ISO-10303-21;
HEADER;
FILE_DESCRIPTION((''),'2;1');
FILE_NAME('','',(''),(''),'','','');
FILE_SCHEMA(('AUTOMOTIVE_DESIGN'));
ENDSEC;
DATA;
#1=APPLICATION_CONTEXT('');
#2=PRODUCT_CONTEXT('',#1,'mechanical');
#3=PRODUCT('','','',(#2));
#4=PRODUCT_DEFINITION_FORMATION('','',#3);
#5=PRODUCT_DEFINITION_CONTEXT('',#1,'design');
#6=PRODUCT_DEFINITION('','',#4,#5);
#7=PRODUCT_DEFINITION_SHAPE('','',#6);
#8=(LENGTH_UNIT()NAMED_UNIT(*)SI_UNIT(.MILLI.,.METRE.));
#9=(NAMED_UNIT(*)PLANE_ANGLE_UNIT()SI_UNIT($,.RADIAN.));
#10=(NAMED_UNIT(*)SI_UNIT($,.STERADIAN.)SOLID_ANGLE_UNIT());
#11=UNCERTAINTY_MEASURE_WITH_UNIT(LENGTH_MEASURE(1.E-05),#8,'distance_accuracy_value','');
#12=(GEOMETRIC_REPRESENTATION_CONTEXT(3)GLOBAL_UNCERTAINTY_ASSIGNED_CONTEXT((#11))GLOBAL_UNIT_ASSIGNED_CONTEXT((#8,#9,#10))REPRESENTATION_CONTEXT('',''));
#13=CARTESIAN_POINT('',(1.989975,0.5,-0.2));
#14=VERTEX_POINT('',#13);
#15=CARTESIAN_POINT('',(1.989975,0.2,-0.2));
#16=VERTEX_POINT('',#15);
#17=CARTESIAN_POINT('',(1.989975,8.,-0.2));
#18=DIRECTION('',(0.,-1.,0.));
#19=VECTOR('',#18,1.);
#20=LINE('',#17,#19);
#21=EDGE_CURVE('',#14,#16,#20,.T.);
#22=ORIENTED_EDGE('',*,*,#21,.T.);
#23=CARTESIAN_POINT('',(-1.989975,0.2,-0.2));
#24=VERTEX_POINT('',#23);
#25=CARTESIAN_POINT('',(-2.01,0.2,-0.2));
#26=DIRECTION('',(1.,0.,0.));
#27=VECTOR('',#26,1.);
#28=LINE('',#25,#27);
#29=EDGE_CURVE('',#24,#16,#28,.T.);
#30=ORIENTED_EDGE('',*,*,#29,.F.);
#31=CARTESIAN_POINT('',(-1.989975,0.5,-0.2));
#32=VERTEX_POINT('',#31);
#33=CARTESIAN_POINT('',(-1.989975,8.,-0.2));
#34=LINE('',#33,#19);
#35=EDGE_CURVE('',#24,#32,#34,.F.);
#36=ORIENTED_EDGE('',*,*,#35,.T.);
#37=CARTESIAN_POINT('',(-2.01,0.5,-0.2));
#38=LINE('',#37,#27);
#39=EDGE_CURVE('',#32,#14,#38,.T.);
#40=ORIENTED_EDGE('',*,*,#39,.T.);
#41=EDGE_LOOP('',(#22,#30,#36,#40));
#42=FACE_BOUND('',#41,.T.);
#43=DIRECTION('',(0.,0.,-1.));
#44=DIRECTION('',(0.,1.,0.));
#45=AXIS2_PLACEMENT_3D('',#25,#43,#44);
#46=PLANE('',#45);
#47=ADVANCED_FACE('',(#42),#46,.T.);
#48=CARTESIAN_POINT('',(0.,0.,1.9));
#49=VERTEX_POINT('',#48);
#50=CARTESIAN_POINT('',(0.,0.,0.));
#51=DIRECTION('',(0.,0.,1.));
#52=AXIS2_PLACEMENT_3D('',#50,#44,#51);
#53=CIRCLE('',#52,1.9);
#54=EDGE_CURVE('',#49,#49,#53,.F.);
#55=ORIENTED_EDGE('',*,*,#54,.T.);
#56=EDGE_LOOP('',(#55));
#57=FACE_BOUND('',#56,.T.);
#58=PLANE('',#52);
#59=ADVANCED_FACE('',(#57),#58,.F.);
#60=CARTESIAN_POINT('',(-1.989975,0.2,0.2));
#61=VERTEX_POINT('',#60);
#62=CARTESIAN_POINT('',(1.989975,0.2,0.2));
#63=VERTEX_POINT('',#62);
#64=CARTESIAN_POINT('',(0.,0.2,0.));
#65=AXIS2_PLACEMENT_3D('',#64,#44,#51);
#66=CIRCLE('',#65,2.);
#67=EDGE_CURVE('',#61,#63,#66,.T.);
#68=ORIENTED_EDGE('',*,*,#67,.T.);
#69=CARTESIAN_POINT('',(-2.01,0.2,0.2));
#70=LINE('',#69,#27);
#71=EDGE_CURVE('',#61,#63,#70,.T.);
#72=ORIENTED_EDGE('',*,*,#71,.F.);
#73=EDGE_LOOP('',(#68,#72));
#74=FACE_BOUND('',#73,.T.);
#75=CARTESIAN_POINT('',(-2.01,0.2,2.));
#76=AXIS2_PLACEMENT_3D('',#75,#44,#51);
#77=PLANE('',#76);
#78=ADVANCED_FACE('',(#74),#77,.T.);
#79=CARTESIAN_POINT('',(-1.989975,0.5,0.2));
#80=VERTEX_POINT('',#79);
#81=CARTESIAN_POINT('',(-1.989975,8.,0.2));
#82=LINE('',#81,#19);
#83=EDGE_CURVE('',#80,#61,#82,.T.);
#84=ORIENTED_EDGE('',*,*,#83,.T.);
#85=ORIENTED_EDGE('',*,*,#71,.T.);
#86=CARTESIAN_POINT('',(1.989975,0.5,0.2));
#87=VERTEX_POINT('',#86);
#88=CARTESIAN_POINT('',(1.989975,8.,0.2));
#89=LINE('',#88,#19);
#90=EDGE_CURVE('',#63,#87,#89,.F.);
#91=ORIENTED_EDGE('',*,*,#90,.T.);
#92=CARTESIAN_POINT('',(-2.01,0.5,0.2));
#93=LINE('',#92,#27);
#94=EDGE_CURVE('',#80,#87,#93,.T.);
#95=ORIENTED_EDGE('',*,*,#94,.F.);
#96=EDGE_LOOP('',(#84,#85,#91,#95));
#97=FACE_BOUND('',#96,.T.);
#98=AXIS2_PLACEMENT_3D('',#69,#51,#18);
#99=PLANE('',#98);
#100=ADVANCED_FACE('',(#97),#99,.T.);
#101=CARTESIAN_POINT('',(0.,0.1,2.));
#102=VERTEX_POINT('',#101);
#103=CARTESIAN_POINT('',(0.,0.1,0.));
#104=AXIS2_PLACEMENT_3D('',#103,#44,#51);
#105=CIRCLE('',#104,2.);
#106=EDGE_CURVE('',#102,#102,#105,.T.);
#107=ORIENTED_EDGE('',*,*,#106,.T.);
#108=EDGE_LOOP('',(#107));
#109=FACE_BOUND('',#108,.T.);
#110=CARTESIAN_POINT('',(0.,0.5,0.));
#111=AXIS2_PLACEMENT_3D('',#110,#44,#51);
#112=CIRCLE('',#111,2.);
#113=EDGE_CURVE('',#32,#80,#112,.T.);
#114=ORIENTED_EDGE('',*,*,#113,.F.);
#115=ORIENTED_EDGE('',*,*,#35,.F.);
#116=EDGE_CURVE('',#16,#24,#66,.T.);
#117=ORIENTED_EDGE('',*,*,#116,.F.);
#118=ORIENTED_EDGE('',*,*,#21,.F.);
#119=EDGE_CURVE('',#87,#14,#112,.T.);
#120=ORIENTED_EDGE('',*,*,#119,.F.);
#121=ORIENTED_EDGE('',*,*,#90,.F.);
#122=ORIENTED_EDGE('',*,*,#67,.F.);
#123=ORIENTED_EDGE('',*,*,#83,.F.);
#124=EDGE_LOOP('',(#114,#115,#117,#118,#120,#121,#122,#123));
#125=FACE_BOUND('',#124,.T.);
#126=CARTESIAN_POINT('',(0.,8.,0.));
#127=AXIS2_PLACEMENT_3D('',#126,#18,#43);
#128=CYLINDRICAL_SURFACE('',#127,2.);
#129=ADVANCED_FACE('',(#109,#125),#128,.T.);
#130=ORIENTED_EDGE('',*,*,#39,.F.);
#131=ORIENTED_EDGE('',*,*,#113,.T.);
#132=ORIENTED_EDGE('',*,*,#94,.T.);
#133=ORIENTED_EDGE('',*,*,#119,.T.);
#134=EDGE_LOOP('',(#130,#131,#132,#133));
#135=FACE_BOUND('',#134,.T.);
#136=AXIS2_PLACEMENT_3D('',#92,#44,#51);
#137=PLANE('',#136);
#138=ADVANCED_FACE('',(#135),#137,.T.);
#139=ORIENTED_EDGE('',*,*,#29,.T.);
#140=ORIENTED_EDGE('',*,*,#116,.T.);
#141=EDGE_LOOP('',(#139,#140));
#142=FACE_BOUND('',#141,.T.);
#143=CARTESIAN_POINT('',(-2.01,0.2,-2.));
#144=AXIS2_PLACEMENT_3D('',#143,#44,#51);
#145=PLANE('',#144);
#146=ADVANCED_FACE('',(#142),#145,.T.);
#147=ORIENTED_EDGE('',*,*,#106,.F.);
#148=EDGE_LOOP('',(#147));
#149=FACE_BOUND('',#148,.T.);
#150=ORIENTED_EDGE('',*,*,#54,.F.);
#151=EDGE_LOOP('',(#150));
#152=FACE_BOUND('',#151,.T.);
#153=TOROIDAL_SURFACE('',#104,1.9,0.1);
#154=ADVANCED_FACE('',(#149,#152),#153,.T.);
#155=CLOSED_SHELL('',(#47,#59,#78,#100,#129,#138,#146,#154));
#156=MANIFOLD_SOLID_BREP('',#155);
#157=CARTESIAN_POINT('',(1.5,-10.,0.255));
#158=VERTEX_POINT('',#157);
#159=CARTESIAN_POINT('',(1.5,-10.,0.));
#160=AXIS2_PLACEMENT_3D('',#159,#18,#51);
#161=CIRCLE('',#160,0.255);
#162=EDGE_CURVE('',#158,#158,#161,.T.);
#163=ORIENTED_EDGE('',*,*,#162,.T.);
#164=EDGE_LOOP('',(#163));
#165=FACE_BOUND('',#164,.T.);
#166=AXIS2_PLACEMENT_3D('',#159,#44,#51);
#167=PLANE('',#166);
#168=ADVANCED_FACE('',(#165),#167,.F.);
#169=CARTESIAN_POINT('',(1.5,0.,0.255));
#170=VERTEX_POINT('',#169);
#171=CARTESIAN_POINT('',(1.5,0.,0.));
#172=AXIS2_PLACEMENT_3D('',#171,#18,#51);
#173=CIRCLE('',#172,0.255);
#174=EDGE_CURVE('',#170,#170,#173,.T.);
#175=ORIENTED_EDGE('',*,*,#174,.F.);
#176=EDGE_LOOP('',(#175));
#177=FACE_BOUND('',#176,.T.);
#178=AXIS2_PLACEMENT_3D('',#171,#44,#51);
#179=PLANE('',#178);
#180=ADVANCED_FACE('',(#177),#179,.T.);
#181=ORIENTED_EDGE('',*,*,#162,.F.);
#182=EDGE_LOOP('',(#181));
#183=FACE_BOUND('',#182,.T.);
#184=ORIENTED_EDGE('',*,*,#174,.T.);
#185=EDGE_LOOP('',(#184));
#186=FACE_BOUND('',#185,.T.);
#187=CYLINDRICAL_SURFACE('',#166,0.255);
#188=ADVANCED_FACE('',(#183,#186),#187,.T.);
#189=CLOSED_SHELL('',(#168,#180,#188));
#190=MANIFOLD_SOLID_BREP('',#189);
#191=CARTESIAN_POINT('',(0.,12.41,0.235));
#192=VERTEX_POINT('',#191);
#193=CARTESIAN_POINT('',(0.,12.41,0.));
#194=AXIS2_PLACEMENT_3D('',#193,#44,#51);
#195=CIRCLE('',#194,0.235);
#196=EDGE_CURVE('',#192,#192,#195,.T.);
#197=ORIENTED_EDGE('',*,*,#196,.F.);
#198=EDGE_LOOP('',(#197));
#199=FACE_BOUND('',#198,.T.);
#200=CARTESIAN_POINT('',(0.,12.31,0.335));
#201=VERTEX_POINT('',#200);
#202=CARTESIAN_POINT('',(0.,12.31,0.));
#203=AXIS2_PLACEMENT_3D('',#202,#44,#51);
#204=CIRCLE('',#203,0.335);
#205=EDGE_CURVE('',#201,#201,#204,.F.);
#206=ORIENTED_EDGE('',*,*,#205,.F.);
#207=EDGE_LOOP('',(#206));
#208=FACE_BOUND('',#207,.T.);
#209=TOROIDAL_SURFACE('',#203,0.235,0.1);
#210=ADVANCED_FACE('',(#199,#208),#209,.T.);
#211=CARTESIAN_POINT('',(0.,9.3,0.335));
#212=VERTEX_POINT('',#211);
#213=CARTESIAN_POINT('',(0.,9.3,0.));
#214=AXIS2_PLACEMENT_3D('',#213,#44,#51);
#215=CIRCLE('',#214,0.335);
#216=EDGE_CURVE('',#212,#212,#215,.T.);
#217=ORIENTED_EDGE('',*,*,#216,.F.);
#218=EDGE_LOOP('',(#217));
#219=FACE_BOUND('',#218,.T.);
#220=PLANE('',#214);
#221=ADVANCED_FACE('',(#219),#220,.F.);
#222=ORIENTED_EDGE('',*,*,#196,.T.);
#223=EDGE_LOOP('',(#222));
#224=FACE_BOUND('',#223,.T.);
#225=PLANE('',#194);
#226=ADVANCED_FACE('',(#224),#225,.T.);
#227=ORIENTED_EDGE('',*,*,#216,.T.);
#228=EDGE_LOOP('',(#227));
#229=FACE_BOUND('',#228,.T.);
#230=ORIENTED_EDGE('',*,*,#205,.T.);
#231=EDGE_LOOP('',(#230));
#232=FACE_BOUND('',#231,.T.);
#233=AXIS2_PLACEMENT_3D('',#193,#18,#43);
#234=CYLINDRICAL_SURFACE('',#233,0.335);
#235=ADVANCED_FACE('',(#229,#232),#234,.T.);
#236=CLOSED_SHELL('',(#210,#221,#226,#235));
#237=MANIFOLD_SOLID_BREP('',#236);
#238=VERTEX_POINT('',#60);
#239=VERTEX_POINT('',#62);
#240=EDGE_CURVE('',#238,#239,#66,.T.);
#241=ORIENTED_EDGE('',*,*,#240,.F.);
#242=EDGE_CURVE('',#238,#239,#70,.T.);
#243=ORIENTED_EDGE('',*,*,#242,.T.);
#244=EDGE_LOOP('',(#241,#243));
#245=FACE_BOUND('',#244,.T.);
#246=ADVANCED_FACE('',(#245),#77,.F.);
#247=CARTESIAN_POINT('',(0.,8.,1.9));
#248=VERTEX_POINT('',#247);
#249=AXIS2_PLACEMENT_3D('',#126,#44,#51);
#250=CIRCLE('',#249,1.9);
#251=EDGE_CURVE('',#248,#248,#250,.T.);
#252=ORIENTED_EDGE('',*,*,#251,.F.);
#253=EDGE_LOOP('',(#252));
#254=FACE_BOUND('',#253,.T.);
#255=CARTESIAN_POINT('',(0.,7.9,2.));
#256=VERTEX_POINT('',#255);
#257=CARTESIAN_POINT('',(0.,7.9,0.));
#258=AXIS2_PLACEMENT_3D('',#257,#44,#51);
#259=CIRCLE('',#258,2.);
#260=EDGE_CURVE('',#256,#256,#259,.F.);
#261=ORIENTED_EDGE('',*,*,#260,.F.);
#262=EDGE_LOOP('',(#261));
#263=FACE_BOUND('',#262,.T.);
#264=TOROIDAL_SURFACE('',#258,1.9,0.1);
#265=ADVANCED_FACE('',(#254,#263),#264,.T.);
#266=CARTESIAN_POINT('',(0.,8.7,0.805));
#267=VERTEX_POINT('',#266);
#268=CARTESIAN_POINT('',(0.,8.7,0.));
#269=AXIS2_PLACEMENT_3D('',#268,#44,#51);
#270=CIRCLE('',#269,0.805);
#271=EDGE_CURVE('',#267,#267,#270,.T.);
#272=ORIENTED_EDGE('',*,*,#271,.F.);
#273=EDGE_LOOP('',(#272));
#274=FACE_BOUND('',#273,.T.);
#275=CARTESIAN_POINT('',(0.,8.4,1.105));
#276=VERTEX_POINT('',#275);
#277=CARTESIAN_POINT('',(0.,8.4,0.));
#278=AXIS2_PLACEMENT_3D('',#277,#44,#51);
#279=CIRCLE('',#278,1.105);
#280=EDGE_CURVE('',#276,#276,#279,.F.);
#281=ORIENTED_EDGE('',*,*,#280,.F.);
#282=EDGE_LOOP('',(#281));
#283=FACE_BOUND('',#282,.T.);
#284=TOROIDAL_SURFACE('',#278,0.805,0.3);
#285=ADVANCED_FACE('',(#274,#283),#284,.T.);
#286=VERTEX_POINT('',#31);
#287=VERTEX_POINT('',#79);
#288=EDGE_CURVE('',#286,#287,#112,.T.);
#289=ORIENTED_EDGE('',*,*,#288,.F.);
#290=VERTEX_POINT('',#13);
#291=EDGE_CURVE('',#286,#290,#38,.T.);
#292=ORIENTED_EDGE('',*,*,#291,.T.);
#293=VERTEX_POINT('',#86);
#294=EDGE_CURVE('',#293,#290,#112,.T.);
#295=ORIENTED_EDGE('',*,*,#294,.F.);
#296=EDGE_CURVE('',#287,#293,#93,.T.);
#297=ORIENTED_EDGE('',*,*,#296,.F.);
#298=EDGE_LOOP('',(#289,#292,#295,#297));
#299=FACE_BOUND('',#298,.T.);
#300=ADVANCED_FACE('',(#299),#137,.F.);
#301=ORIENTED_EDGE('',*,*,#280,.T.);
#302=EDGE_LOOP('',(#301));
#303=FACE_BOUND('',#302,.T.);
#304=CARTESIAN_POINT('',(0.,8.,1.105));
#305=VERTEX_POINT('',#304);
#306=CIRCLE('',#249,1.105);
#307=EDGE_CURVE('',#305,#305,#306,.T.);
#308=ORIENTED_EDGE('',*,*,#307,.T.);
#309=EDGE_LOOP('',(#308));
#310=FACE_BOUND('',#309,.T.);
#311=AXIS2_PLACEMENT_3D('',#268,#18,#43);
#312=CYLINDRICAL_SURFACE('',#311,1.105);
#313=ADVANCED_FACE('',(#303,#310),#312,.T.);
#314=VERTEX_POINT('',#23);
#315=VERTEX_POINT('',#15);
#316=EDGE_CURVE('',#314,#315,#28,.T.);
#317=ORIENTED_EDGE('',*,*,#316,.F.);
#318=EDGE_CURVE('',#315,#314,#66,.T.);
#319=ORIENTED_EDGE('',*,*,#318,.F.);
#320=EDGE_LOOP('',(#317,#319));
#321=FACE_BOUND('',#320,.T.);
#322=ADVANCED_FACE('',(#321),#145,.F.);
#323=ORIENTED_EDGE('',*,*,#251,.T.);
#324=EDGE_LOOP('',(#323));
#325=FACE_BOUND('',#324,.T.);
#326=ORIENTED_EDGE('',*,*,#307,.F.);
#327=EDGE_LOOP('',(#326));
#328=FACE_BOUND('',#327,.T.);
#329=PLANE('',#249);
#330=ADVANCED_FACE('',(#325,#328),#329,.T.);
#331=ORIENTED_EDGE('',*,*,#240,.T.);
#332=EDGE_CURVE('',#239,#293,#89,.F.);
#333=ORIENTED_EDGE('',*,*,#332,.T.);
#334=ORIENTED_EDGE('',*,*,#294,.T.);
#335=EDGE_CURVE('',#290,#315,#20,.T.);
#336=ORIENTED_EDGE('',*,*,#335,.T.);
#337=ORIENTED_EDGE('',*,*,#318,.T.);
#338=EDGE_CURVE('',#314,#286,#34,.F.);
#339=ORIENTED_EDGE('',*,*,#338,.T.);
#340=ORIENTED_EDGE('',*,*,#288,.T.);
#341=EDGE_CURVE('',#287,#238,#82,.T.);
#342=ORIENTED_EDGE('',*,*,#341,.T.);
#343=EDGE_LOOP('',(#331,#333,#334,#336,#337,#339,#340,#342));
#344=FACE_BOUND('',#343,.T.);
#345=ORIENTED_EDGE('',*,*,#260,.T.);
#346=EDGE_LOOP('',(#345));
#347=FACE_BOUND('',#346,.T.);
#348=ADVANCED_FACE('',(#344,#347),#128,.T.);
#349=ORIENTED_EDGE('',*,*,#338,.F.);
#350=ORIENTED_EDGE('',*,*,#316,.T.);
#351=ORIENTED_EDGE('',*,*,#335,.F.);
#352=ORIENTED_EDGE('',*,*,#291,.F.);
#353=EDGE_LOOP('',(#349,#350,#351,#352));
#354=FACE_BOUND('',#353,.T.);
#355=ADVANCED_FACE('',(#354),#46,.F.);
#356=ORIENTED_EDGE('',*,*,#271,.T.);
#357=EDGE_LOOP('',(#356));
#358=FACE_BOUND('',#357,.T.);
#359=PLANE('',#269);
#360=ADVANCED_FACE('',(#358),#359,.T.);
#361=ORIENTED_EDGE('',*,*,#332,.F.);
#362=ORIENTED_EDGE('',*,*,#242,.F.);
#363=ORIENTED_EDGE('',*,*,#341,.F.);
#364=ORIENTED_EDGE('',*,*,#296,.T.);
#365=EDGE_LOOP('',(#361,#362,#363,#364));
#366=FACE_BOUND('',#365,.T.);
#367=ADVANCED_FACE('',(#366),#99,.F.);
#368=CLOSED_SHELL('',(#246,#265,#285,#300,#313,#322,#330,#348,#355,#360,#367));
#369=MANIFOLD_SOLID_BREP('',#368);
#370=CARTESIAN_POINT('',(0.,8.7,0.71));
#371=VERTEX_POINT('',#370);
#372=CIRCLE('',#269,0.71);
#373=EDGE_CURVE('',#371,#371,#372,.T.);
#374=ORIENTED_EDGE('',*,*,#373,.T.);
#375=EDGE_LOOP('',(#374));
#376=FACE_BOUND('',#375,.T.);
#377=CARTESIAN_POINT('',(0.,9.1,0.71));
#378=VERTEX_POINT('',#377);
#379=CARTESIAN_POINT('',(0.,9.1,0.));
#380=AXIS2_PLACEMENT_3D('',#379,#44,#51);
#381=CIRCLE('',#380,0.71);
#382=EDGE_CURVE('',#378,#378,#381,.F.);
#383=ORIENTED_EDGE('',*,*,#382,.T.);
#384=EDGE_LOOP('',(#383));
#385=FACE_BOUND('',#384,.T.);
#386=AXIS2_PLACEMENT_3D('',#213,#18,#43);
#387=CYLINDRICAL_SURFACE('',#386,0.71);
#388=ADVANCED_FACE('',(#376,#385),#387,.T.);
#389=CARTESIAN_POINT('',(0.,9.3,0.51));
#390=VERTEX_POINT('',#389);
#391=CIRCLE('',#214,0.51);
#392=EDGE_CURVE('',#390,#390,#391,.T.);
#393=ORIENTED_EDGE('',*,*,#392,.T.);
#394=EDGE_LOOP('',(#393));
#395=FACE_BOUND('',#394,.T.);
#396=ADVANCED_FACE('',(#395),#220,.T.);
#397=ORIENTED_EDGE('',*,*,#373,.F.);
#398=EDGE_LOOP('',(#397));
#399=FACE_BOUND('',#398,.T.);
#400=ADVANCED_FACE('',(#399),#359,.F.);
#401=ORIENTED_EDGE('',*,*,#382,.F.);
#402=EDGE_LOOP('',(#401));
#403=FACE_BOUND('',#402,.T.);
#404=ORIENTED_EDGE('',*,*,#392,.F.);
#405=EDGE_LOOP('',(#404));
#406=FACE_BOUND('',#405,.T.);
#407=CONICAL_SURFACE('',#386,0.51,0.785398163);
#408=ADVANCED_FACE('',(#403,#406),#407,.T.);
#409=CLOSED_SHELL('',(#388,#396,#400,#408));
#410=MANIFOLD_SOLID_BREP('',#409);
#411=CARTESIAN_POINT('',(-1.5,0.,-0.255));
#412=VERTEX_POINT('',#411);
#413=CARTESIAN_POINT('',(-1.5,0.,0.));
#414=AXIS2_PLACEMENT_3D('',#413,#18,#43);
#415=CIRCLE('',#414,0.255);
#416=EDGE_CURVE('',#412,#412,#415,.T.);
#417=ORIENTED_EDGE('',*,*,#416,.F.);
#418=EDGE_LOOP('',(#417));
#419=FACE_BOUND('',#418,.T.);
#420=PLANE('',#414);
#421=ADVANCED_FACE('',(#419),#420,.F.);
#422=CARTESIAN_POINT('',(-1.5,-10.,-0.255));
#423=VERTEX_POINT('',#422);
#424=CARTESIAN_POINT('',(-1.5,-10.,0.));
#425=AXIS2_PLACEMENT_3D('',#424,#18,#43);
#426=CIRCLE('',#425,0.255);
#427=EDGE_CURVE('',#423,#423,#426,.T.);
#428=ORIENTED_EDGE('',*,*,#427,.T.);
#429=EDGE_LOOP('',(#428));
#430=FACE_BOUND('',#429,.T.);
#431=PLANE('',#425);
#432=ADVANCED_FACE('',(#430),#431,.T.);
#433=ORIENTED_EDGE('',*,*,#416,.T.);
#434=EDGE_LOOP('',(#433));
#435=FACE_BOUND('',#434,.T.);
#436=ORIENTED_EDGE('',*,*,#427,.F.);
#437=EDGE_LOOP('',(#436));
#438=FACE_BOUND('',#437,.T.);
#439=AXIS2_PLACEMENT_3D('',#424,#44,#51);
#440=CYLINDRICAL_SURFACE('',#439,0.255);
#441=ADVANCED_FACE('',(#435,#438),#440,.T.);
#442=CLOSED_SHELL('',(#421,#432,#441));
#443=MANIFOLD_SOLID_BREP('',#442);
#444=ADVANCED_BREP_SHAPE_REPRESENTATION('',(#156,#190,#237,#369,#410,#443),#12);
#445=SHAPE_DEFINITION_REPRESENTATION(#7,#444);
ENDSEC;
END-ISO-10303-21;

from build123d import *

# Parameters (mm, degrees)
SKETCH1_R              = 2
BOSS_EXTRUDE1_DEPTH    = 8
SKETCH2_R              = 1.105
BOSS_EXTRUDE2_DEPTH    = 0.7
SKETCH3_R              = 0.71
BOSS_EXTRUDE3_DEPTH    = 0.6
SKETCH4_R              = 0.335
BOSS_EXTRUDE4_DEPTH    = 3.11
SPLIT1_SURFACE_1_BACK  = 14.638
SPLIT1_SURFACE_1_DEPTH = 29.276
SPLIT1_SURFACE_2_BACK  = 14.638
SPLIT1_SURFACE_2_DEPTH = 29.276
FILLET1_R              = 0.1
FILLET2_R              = 0.1
FILLET3_R              = 0.3
CHAMFER1_SIZE          = 0.2
FILLET4_R              = 0.1
SKETCH6_R              = 0.255
BOSS_EXTRUDE5_DEPTH    = 10
BOSS_EXTRUDE5_2_DEPTH  = 10


with BuildPart() as part:
    # Sketch1 → Boss-Extrude1 (new body)
    with BuildSketch(Plane(origin=(0, 0, 0), x_dir=(1, 0, 0), z_dir=(0, 1, 0))):
        with Locations(Location((0, 0, 0), (0, 0, 270))):
            Circle(SKETCH1_R)
    extrude(amount=BOSS_EXTRUDE1_DEPTH)

    # Sketch2 → Boss-Extrude2 (add)
    with BuildSketch(Plane(origin=(0, 8, 0), x_dir=(1, 0, 0), z_dir=(0, 1, 0))):
        with Locations(Location((0, 0, 0), (0, 0, 270))):
            Circle(SKETCH2_R)
    extrude(amount=BOSS_EXTRUDE2_DEPTH)


with BuildPart() as body_2:
    # Sketch3 → Boss-Extrude3 (new body)
    with BuildSketch(Plane(origin=(0, 8.7, 0), x_dir=(1, 0, 0), z_dir=(0, 1, 0))):
        with Locations(Location((0, 0, 0), (0, 0, 270))):
            Circle(SKETCH3_R)
    extrude(amount=BOSS_EXTRUDE3_DEPTH)

    # Chamfer1
    chamfer1_edges = [body_2.edges().sort_by_distance(p)[0] for p in [
        (0, 9.3, -0.71),
    ]]
    chamfer(chamfer1_edges, length=CHAMFER1_SIZE)


with BuildPart() as body_3:
    # Sketch4 → Boss-Extrude4 (new body)
    with BuildSketch(Plane(origin=(0, 9.3, 0), x_dir=(1, 0, 0), z_dir=(0, 1, 0))):
        with Locations(Location((0, 0, 0), (0, 0, 270))):
            Circle(SKETCH4_R)
    extrude(amount=BOSS_EXTRUDE4_DEPTH)

    # Fillet4
    fillet4_edges = [body_3.edges().sort_by_distance(p)[0] for p in [
        (0, 12.41, -0.335),
    ]]
    fillet(fillet4_edges, radius=FILLET4_R)


with BuildPart() as body_4:
    # Split1: the piece behind the surface
    add(part.part)
    # Split1 surface: a surface, the sketch's curves swept straight by 29.276 mm
    with BuildLine(Plane(origin=(0, 0, 0), x_dir=(0, 0, -1), z_dir=(1, 0, 0)).offset(-SPLIT1_SURFACE_1_BACK), mode=Mode.PRIVATE) as split1_surface_1_path:
        Line((-2, 0.2), (-0.2, 0.2))
        Line((-0.2, 0.2), (-0.2, 0.5))
        Line((-0.2, 0.5), (0.2, 0.5))
        Line((0.2, 0.5), (0.2, 0.2))
        Line((0.2, 0.2), (2, 0.2))
    split1_surface_1 = Shell.extrude(split1_surface_1_path.wire(), (1 * SPLIT1_SURFACE_1_DEPTH, 0 * SPLIT1_SURFACE_1_DEPTH, 0 * SPLIT1_SURFACE_1_DEPTH))
    split(bisect_by=split1_surface_1, keep=Keep.BOTTOM)

    # Fillet1
    fillet1_edges = [body_4.edges().sort_by_distance(p)[0] for p in [
        (0, 0, -2),
    ]]
    fillet(fillet1_edges, radius=FILLET1_R)


with BuildPart() as part_1:
    add(part.part)

    # Split1: split by a surface, the side it looks to stays
    # Split1 surface: a surface, the sketch's curves swept straight by 29.276 mm
    with BuildLine(Plane(origin=(0, 0, 0), x_dir=(0, 0, -1), z_dir=(1, 0, 0)).offset(-SPLIT1_SURFACE_2_BACK), mode=Mode.PRIVATE) as split1_surface_2_path:
        Line((-2, 0.2), (-0.2, 0.2))
        Line((-0.2, 0.2), (-0.2, 0.5))
        Line((-0.2, 0.5), (0.2, 0.5))
        Line((0.2, 0.5), (0.2, 0.2))
        Line((0.2, 0.2), (2, 0.2))
    split1_surface_2 = Shell.extrude(split1_surface_2_path.wire(), (1 * SPLIT1_SURFACE_2_DEPTH, 0 * SPLIT1_SURFACE_2_DEPTH, 0 * SPLIT1_SURFACE_2_DEPTH))
    split(bisect_by=split1_surface_2, keep=Keep.TOP)

    # Fillet2
    fillet2_edges = [part_1.edges().sort_by_distance(p)[0] for p in [
        (0, 8, -2),
    ]]
    fillet(fillet2_edges, radius=FILLET2_R)

    # Fillet3
    fillet3_edges = [part_1.edges().sort_by_distance(p)[0] for p in [
        (0, 8.7, -1.105),
    ]]
    fillet(fillet3_edges, radius=FILLET3_R)


with BuildPart() as body_5:
    # Sketch6 → Boss-Extrude5 (new body)
    with BuildSketch(Plane.XZ):
        with Locations(Location((-1.5, 0, 0), (0, 0, 270))):
            Circle(SKETCH6_R)
    extrude(amount=BOSS_EXTRUDE5_DEPTH)


with BuildPart() as body_6:
    # Sketch6 → Boss-Extrude5 2 (new body)
    with BuildSketch(Plane.XZ):
        with Locations(Location((1.5, 0, 0), (0, 0, 90))):
            Circle(SKETCH6_R)
    extrude(amount=BOSS_EXTRUDE5_2_DEPTH)


solid = Compound([body_2.part, body_3.part, body_4.part, part_1.part, body_5.part, body_6.part])
